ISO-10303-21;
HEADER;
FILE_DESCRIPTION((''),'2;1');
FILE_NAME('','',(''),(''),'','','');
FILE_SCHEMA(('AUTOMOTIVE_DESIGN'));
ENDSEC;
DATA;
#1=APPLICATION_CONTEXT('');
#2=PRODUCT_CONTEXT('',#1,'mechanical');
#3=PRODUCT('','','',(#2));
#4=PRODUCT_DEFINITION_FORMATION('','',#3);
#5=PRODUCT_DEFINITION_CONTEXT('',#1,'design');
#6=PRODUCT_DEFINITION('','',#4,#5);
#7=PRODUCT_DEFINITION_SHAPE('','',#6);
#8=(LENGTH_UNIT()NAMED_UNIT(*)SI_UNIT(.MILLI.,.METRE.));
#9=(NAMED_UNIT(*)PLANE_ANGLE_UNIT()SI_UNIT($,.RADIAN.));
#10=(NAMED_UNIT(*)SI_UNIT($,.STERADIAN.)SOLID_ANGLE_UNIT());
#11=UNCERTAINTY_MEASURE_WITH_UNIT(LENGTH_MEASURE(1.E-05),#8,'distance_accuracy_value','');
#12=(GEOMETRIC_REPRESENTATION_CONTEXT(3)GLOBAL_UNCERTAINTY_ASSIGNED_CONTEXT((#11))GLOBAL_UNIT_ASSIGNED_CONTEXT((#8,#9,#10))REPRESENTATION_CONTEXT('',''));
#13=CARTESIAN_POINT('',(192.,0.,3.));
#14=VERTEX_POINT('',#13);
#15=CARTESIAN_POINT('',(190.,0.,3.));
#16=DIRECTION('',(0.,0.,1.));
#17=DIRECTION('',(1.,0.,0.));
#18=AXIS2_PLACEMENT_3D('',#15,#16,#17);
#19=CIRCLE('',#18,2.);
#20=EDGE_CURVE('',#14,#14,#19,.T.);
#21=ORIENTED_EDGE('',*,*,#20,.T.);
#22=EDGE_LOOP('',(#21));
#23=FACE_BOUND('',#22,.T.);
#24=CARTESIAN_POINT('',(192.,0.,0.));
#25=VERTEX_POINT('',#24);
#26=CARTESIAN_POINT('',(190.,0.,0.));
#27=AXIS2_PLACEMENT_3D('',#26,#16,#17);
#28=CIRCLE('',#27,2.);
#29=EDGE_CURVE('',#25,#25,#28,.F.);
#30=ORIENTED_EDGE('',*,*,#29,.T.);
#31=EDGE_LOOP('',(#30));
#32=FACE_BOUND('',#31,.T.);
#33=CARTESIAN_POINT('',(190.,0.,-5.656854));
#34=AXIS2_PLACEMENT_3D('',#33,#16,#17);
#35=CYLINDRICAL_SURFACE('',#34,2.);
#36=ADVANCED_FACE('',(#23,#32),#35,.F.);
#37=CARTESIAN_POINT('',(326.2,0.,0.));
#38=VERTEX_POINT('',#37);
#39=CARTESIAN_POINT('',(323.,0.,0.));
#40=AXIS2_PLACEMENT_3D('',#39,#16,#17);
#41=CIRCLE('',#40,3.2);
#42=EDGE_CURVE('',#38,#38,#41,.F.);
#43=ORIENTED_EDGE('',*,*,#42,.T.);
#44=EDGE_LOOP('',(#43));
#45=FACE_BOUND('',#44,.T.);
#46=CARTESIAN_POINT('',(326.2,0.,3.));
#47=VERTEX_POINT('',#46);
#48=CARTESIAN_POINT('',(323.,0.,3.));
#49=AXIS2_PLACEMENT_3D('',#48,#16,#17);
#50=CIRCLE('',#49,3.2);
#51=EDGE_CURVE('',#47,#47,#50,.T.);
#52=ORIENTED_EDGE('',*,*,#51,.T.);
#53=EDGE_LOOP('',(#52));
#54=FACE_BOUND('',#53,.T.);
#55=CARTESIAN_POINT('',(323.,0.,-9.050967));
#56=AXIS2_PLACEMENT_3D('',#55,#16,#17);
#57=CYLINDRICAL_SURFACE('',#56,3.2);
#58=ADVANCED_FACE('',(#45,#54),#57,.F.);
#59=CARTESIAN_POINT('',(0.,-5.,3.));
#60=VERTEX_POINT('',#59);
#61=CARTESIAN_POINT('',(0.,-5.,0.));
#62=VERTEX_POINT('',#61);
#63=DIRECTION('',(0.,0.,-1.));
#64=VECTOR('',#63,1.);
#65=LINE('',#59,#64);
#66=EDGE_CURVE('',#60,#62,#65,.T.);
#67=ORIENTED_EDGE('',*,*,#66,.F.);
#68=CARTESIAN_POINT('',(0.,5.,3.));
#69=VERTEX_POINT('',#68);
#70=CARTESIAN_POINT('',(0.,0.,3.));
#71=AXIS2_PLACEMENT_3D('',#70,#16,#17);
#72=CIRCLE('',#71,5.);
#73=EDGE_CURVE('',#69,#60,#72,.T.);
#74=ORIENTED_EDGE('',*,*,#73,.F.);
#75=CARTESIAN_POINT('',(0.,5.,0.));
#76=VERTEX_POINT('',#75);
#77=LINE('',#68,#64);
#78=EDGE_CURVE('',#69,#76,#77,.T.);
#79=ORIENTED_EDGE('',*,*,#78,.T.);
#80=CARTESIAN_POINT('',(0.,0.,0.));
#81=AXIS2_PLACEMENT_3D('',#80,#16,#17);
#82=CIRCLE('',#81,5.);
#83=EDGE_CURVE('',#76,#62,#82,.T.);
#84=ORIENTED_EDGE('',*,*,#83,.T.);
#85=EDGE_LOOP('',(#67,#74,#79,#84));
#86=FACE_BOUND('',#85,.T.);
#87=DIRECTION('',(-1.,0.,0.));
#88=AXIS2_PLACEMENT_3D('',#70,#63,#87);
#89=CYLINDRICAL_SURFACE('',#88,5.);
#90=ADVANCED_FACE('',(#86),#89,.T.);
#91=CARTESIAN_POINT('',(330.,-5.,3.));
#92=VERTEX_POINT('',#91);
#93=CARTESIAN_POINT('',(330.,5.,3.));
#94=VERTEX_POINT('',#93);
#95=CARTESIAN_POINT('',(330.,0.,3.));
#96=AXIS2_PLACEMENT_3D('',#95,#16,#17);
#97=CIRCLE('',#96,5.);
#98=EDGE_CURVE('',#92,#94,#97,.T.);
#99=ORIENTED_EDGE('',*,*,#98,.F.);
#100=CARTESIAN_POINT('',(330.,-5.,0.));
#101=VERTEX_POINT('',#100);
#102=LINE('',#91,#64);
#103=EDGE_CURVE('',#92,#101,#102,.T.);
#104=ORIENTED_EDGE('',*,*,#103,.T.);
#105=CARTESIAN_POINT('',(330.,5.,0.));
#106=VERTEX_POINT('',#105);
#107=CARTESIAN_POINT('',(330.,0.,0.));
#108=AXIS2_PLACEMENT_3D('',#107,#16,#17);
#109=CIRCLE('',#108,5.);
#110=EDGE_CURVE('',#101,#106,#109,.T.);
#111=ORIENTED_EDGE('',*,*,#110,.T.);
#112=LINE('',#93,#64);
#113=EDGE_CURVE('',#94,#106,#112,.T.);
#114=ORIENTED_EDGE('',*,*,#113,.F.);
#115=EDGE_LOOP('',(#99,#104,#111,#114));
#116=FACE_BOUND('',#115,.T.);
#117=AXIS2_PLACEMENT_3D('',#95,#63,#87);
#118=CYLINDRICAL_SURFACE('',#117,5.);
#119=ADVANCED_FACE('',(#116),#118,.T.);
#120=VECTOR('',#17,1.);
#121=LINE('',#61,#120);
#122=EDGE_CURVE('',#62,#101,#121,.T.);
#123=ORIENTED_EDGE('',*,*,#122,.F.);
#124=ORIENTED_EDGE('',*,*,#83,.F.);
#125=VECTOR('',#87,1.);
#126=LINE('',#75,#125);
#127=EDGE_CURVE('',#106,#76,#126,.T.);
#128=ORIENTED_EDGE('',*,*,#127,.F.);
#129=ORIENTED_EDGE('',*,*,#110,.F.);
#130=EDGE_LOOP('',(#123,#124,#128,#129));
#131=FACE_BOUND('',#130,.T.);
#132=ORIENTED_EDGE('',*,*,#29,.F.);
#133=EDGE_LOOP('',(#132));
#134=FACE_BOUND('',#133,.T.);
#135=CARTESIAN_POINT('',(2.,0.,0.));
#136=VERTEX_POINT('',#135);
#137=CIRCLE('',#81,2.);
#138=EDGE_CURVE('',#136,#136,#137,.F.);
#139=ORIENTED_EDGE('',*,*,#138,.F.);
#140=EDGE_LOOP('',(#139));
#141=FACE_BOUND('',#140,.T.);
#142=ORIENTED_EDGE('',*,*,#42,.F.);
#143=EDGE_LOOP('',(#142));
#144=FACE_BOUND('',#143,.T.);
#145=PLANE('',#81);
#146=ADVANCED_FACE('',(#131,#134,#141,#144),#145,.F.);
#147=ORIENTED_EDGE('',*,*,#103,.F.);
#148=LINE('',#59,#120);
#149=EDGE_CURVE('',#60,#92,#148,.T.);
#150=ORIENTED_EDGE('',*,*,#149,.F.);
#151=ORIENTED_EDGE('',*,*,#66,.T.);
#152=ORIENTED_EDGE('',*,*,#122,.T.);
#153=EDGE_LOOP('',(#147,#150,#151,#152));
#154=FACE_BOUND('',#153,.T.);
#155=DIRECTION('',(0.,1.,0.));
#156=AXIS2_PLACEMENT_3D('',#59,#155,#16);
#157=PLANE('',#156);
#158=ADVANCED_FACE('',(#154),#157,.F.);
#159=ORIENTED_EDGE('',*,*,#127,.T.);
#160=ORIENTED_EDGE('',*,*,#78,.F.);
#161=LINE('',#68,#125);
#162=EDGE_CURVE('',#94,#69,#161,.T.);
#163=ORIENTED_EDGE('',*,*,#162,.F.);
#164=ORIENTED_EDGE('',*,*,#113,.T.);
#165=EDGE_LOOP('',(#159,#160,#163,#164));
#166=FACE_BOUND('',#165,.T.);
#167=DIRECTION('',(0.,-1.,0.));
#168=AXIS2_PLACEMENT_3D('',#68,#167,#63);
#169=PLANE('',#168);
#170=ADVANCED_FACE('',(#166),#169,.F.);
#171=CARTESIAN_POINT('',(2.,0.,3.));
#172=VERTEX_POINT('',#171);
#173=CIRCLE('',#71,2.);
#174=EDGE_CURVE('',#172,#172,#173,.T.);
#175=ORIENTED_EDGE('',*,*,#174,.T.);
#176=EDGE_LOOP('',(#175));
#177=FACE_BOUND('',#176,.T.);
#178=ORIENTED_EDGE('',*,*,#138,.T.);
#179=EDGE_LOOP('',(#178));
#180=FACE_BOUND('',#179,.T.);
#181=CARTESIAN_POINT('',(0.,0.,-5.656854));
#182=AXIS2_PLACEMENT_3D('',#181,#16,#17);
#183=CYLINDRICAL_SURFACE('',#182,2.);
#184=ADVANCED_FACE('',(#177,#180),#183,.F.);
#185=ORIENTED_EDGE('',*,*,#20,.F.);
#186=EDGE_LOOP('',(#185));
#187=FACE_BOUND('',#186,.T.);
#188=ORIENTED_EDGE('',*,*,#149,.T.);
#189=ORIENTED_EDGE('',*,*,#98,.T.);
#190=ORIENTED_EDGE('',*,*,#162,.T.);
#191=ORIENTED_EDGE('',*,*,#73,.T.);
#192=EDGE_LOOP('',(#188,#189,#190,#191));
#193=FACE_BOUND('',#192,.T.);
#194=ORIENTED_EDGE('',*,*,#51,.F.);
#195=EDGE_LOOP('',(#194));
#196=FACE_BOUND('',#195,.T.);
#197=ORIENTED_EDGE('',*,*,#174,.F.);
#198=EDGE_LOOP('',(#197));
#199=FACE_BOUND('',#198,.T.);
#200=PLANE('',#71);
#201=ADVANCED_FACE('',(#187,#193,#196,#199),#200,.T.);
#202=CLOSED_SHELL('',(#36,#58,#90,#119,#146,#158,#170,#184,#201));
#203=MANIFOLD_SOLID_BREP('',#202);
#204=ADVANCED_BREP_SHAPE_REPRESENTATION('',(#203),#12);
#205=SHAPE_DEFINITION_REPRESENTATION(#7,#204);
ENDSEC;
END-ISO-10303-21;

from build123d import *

# Parameters (mm, degrees)
BOSS_EXTRUDE1_DEPTH = 3
SKETCH2_R           = 3.2
CUT_EXTRUDE1_DEPTH  = 3
SKETCH5_R           = 2
CUT_EXTRUDE2_DEPTH  = 3
SKETCH10_R          = 2
CUT_EXTRUDE4_DEPTH  = 3


with BuildPart() as part:
    # Sketch1 → Boss-Extrude1 (new body)
    with BuildSketch(Plane.XY):
        with BuildLine():
            Line((0, 5), (330, 5))
            ThreePointArc((330, 5), (335, 0), (330, -5))
            Line((330, -5), (0, -5))
            ThreePointArc((0, -5), (-5, 0), (0, 5))
        make_face()
    extrude(amount=BOSS_EXTRUDE1_DEPTH)

    # Sketch2 → Cut-Extrude1 (cut)
    with BuildSketch(Plane.XY.offset(3)):
        with Locations((323, 0)):
            Circle(SKETCH2_R)
    extrude(amount=-CUT_EXTRUDE1_DEPTH, mode=Mode.SUBTRACT)

    # Sketch5 → Cut-Extrude2 (cut)
    with BuildSketch(Plane.XY.offset(3)):
        with Locations((190, 0)):
            Circle(SKETCH5_R)
    extrude(amount=-CUT_EXTRUDE2_DEPTH, mode=Mode.SUBTRACT)

    # Sketch10 → Cut-Extrude4 (cut)
    with BuildSketch(Plane.XY.offset(3)):
        Circle(SKETCH10_R)
    extrude(amount=-CUT_EXTRUDE4_DEPTH, mode=Mode.SUBTRACT)


solid = part.part
